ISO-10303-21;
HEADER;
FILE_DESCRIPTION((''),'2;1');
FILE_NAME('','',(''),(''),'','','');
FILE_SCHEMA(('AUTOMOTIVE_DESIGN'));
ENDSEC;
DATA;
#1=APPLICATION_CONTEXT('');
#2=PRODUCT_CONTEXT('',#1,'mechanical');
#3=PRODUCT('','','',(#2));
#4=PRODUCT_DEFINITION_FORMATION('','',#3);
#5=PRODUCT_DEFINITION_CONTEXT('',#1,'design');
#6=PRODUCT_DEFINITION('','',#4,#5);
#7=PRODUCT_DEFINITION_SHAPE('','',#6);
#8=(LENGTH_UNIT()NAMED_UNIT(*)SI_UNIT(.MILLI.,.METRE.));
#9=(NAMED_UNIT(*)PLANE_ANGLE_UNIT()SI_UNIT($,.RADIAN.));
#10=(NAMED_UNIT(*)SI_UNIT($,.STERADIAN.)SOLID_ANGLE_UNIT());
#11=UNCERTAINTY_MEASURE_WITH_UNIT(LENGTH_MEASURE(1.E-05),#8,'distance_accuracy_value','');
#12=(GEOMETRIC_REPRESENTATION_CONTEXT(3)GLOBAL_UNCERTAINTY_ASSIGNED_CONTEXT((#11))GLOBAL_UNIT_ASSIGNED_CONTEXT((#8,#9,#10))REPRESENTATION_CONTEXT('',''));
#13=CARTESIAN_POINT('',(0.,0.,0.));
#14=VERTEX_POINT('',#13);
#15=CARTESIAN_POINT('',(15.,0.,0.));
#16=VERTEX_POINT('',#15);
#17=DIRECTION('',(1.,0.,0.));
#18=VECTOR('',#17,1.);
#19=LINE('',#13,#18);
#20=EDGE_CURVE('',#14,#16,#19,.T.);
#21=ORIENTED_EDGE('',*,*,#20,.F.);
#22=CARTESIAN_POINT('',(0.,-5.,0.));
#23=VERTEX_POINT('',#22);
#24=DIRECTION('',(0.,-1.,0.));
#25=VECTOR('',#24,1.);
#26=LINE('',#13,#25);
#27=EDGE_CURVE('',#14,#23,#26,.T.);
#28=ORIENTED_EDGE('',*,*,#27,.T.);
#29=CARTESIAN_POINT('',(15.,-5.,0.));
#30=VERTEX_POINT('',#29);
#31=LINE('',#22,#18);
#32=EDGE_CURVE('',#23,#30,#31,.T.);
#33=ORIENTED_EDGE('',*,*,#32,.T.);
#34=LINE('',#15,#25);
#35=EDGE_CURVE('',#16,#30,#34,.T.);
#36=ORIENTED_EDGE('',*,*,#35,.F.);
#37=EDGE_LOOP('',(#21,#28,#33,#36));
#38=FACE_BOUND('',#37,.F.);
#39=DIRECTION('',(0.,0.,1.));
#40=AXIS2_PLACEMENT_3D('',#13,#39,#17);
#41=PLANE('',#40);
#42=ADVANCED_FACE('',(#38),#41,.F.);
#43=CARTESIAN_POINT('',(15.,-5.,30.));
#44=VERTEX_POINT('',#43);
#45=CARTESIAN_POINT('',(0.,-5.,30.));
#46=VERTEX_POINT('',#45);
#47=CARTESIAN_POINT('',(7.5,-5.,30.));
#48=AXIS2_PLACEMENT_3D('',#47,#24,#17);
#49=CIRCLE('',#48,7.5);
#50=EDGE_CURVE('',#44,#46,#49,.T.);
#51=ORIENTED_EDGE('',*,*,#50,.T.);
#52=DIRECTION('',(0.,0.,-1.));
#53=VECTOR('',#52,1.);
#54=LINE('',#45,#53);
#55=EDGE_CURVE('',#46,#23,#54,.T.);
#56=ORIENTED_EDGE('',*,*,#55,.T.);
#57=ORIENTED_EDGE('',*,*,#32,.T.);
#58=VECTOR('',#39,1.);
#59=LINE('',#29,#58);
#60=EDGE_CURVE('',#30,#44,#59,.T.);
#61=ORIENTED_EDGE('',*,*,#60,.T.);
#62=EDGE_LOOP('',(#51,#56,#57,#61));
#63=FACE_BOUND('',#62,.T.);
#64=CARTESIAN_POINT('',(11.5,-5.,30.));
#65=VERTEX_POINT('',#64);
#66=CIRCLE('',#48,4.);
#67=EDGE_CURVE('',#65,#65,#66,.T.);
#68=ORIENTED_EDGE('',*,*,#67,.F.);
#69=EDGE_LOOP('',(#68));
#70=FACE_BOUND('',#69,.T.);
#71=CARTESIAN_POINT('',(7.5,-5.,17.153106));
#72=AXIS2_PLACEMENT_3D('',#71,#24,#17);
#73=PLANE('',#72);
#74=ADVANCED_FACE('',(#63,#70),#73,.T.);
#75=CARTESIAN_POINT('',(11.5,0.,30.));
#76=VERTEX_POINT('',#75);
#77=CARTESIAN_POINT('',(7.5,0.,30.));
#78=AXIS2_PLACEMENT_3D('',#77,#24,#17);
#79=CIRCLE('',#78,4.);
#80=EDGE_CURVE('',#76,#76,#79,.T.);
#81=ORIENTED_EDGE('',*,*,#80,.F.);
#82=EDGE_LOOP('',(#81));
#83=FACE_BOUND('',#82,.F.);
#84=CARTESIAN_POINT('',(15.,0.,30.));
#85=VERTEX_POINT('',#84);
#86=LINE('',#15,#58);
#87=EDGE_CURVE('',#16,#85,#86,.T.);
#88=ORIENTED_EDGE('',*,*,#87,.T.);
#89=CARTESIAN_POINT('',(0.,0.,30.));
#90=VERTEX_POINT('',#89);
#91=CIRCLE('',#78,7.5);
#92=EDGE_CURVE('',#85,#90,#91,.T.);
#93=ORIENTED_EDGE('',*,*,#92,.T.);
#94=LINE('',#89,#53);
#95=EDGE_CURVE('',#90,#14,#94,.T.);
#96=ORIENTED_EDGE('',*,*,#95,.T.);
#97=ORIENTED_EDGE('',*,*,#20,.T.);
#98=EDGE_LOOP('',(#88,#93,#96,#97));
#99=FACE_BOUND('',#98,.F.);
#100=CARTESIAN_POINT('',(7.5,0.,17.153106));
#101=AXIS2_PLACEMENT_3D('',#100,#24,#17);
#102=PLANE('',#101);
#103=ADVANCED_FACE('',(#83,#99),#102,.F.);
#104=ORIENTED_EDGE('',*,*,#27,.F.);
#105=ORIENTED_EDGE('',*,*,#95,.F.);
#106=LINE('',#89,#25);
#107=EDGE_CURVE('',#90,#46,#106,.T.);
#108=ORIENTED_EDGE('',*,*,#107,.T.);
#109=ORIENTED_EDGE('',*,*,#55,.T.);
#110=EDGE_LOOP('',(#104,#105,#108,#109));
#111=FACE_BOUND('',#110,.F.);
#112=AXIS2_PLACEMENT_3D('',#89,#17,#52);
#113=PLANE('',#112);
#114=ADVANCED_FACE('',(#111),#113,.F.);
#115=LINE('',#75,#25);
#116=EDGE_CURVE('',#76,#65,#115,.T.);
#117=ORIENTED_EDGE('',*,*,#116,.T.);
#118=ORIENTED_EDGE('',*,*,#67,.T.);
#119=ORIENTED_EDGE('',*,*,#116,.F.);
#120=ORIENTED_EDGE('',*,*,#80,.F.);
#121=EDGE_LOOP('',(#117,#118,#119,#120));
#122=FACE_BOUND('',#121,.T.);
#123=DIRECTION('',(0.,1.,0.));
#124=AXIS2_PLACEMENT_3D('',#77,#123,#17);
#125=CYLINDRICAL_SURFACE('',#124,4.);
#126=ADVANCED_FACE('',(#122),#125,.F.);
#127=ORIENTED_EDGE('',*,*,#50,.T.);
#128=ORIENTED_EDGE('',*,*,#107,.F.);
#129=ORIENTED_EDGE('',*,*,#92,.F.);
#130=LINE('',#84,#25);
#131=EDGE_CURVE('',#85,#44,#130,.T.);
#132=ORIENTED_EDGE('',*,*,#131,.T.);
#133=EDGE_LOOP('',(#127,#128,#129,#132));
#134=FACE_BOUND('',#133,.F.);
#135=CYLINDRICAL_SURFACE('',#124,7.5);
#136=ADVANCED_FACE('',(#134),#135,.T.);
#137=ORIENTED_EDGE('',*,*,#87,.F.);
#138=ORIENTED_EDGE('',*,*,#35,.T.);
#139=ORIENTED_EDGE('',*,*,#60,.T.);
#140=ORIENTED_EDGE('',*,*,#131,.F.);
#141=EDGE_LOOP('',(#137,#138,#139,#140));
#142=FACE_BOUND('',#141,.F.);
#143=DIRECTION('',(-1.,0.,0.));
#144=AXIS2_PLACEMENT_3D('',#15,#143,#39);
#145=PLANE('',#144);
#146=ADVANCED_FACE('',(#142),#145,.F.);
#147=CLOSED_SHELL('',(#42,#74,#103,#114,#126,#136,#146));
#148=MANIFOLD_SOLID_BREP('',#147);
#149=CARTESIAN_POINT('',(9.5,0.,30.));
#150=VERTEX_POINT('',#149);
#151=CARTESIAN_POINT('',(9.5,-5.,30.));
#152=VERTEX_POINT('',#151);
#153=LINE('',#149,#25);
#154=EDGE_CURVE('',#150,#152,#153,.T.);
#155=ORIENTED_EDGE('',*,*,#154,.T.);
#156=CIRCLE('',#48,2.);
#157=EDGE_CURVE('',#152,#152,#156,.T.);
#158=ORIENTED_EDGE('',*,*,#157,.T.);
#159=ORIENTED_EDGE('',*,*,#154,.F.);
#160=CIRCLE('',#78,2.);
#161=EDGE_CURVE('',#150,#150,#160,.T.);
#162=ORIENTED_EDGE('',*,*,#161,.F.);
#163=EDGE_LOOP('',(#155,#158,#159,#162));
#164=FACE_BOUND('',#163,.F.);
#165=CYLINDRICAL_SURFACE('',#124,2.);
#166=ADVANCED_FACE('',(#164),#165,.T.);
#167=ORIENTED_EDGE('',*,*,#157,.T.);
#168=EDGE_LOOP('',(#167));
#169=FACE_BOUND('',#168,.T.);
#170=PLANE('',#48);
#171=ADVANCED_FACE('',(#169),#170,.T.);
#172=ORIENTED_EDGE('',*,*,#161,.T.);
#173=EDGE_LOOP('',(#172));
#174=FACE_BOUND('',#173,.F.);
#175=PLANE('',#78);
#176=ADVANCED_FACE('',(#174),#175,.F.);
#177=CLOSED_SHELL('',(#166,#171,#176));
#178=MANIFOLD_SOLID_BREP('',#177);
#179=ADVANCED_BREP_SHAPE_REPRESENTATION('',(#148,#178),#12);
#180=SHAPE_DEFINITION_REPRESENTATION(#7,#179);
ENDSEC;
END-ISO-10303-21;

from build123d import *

# Parameters (mm, degrees)
F0_R     = 4
F0_R_2   = 2
F1_DEPTH = 5


with BuildPart() as f1:
    # F0 (on Front) → F1 (new body)
    with BuildSketch(Plane.XZ):
        with BuildLine():
            Line((0, 30), (0, 0))
            Line((0, 0), (15, 0))
            Line((15, 0), (15, 30))
            ThreePointArc((15, 30), (7.5, 37.5), (0, 30))
        make_face()
        with Locations((7.5, 30)):
            Circle(F0_R, mode=Mode.SUBTRACT)
        with Locations((7.5, 30)):
            Circle(F0_R_2)
    extrude(amount=F1_DEPTH)


solid = f1.part
